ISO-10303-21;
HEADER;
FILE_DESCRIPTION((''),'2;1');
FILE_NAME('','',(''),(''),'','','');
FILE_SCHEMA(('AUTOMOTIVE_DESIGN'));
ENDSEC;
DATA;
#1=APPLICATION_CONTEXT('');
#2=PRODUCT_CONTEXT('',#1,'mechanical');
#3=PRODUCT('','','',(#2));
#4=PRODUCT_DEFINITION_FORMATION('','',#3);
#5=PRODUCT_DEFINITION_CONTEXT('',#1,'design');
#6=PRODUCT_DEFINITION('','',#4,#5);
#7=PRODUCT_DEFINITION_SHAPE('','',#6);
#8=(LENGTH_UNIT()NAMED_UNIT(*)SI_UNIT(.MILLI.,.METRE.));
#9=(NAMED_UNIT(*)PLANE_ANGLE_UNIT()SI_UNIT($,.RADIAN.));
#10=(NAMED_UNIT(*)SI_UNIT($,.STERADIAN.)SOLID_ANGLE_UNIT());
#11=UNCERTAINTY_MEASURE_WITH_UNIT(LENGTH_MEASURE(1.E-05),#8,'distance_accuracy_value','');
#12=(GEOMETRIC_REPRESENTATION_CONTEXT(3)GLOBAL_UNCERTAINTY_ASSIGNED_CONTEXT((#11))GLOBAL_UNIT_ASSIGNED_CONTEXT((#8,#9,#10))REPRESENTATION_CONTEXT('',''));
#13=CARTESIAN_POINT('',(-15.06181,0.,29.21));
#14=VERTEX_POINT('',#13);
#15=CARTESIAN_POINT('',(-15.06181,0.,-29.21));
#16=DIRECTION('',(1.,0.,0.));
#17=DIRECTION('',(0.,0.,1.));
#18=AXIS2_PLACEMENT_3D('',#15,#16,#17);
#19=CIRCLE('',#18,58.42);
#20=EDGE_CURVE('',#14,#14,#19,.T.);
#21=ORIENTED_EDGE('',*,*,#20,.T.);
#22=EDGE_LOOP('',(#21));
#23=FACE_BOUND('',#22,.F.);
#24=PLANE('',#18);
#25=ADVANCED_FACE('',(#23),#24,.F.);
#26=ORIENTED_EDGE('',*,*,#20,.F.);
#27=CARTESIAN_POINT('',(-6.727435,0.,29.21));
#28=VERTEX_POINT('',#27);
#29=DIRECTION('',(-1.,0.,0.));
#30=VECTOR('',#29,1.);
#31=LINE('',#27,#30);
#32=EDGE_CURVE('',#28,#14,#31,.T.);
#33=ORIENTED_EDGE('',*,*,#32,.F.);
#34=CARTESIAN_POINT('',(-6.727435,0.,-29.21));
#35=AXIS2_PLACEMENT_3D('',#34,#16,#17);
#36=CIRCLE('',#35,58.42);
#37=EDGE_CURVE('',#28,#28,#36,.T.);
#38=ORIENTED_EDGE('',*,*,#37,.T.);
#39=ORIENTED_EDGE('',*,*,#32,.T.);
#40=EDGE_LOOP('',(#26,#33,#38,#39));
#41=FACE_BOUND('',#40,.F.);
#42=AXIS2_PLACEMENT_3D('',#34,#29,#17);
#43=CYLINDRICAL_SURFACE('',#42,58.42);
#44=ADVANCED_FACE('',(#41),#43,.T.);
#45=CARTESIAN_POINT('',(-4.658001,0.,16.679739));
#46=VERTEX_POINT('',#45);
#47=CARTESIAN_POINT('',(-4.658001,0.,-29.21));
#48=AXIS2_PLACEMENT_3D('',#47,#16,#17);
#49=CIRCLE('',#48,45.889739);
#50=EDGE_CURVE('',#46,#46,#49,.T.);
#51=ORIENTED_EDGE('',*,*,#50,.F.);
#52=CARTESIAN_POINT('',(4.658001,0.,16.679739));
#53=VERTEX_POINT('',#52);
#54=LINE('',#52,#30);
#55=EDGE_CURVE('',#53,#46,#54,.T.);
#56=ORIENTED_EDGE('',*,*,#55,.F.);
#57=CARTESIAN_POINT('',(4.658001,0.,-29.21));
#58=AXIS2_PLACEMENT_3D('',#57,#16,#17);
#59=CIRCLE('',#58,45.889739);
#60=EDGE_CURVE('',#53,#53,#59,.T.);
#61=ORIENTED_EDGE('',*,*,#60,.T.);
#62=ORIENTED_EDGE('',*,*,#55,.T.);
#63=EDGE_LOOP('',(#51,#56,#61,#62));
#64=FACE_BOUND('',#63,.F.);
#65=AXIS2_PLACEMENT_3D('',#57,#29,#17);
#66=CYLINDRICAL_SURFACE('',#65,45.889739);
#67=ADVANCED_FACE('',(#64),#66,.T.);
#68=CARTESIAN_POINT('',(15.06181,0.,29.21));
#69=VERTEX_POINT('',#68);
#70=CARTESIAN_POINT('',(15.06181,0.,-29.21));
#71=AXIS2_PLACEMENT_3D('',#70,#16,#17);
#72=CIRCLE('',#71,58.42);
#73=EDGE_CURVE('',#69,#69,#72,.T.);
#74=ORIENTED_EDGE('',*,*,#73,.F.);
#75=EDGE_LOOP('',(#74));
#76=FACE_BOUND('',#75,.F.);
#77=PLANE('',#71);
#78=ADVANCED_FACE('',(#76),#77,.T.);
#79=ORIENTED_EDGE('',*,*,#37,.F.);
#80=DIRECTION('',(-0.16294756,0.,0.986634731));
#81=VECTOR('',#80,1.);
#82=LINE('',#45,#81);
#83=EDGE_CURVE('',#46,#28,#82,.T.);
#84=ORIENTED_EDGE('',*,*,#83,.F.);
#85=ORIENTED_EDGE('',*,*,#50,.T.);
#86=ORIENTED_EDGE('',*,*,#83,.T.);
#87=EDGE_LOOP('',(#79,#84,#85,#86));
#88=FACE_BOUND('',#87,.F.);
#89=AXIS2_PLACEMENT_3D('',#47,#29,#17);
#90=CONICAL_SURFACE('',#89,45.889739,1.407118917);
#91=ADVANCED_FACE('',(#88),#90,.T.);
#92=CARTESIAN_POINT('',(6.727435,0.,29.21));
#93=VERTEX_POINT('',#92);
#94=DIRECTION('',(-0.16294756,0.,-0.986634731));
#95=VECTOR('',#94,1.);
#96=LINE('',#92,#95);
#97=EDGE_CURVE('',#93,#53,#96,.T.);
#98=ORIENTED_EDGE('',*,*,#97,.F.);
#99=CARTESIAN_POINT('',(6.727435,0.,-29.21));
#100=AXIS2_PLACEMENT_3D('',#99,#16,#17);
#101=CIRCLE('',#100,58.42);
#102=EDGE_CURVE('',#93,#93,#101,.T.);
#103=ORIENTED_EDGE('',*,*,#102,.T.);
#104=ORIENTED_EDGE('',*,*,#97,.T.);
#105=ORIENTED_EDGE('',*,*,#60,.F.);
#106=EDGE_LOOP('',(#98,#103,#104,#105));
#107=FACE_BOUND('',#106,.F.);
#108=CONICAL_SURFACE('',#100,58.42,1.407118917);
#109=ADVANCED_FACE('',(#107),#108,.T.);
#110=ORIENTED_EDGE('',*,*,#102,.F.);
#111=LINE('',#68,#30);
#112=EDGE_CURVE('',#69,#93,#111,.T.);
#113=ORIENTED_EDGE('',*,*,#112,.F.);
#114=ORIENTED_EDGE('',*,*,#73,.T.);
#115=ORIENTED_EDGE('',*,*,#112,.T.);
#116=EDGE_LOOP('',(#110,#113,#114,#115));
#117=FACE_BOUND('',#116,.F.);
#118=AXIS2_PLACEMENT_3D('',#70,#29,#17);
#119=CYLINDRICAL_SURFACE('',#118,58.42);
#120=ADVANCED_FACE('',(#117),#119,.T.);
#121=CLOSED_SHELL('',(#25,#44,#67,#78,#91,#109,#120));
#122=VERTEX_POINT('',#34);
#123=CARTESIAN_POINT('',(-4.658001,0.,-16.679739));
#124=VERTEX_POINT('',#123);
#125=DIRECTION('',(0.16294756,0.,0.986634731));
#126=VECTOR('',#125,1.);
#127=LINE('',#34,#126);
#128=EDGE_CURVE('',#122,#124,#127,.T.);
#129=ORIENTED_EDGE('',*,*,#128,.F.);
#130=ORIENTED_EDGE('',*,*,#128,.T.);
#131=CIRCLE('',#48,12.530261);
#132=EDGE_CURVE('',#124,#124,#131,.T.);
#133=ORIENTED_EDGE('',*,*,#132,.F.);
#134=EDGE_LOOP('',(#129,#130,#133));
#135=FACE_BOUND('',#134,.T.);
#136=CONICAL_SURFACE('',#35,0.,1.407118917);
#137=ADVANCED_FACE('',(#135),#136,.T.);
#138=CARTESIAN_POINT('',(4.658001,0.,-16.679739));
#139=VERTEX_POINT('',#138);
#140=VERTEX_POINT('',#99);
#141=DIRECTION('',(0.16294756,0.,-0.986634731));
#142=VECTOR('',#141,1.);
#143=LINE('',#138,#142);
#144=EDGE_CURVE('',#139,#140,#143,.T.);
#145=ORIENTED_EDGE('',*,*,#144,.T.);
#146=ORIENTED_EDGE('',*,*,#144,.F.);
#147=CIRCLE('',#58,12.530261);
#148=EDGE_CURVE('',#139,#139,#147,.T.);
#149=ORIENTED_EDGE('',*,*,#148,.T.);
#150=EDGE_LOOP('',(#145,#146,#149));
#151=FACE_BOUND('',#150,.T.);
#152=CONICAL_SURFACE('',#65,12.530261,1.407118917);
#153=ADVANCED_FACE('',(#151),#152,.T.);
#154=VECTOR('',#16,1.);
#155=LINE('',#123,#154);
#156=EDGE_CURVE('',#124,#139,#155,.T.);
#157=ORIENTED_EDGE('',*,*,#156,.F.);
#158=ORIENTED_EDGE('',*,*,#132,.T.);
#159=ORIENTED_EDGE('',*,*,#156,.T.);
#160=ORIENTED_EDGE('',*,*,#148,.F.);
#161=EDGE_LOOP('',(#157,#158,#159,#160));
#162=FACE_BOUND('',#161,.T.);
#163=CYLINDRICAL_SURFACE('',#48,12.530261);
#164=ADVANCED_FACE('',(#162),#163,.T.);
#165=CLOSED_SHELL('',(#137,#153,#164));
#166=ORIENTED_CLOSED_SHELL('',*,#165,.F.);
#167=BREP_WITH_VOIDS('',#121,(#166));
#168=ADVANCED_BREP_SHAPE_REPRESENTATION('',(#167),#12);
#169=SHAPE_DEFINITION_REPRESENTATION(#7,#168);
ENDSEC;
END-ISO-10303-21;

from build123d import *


with BuildPart() as f1:
    # F0 (on Front) → F1 (revolve)
    with BuildSketch(Plane.XZ):
        Polygon((-6.727435, 29.21), (-15.06181, 29.21), (-15.06181, 0), (-15.06181, -29.21), (-6.727435, -29.21), (-4.658001, -16.679739), (0, -16.679739), (4.658001, -16.679739), (6.727435, -29.21), (15.06181, -29.21), (15.06181, 0), (15.06181, 29.21), (6.727435, 29.21), (4.658001, 16.679739), (0, 16.679739), (-4.658001, 16.679739), align=None)
    revolve(axis=Axis((-10.894622, 0, -29.21), (1, 0, 0)))


solid = f1.part
